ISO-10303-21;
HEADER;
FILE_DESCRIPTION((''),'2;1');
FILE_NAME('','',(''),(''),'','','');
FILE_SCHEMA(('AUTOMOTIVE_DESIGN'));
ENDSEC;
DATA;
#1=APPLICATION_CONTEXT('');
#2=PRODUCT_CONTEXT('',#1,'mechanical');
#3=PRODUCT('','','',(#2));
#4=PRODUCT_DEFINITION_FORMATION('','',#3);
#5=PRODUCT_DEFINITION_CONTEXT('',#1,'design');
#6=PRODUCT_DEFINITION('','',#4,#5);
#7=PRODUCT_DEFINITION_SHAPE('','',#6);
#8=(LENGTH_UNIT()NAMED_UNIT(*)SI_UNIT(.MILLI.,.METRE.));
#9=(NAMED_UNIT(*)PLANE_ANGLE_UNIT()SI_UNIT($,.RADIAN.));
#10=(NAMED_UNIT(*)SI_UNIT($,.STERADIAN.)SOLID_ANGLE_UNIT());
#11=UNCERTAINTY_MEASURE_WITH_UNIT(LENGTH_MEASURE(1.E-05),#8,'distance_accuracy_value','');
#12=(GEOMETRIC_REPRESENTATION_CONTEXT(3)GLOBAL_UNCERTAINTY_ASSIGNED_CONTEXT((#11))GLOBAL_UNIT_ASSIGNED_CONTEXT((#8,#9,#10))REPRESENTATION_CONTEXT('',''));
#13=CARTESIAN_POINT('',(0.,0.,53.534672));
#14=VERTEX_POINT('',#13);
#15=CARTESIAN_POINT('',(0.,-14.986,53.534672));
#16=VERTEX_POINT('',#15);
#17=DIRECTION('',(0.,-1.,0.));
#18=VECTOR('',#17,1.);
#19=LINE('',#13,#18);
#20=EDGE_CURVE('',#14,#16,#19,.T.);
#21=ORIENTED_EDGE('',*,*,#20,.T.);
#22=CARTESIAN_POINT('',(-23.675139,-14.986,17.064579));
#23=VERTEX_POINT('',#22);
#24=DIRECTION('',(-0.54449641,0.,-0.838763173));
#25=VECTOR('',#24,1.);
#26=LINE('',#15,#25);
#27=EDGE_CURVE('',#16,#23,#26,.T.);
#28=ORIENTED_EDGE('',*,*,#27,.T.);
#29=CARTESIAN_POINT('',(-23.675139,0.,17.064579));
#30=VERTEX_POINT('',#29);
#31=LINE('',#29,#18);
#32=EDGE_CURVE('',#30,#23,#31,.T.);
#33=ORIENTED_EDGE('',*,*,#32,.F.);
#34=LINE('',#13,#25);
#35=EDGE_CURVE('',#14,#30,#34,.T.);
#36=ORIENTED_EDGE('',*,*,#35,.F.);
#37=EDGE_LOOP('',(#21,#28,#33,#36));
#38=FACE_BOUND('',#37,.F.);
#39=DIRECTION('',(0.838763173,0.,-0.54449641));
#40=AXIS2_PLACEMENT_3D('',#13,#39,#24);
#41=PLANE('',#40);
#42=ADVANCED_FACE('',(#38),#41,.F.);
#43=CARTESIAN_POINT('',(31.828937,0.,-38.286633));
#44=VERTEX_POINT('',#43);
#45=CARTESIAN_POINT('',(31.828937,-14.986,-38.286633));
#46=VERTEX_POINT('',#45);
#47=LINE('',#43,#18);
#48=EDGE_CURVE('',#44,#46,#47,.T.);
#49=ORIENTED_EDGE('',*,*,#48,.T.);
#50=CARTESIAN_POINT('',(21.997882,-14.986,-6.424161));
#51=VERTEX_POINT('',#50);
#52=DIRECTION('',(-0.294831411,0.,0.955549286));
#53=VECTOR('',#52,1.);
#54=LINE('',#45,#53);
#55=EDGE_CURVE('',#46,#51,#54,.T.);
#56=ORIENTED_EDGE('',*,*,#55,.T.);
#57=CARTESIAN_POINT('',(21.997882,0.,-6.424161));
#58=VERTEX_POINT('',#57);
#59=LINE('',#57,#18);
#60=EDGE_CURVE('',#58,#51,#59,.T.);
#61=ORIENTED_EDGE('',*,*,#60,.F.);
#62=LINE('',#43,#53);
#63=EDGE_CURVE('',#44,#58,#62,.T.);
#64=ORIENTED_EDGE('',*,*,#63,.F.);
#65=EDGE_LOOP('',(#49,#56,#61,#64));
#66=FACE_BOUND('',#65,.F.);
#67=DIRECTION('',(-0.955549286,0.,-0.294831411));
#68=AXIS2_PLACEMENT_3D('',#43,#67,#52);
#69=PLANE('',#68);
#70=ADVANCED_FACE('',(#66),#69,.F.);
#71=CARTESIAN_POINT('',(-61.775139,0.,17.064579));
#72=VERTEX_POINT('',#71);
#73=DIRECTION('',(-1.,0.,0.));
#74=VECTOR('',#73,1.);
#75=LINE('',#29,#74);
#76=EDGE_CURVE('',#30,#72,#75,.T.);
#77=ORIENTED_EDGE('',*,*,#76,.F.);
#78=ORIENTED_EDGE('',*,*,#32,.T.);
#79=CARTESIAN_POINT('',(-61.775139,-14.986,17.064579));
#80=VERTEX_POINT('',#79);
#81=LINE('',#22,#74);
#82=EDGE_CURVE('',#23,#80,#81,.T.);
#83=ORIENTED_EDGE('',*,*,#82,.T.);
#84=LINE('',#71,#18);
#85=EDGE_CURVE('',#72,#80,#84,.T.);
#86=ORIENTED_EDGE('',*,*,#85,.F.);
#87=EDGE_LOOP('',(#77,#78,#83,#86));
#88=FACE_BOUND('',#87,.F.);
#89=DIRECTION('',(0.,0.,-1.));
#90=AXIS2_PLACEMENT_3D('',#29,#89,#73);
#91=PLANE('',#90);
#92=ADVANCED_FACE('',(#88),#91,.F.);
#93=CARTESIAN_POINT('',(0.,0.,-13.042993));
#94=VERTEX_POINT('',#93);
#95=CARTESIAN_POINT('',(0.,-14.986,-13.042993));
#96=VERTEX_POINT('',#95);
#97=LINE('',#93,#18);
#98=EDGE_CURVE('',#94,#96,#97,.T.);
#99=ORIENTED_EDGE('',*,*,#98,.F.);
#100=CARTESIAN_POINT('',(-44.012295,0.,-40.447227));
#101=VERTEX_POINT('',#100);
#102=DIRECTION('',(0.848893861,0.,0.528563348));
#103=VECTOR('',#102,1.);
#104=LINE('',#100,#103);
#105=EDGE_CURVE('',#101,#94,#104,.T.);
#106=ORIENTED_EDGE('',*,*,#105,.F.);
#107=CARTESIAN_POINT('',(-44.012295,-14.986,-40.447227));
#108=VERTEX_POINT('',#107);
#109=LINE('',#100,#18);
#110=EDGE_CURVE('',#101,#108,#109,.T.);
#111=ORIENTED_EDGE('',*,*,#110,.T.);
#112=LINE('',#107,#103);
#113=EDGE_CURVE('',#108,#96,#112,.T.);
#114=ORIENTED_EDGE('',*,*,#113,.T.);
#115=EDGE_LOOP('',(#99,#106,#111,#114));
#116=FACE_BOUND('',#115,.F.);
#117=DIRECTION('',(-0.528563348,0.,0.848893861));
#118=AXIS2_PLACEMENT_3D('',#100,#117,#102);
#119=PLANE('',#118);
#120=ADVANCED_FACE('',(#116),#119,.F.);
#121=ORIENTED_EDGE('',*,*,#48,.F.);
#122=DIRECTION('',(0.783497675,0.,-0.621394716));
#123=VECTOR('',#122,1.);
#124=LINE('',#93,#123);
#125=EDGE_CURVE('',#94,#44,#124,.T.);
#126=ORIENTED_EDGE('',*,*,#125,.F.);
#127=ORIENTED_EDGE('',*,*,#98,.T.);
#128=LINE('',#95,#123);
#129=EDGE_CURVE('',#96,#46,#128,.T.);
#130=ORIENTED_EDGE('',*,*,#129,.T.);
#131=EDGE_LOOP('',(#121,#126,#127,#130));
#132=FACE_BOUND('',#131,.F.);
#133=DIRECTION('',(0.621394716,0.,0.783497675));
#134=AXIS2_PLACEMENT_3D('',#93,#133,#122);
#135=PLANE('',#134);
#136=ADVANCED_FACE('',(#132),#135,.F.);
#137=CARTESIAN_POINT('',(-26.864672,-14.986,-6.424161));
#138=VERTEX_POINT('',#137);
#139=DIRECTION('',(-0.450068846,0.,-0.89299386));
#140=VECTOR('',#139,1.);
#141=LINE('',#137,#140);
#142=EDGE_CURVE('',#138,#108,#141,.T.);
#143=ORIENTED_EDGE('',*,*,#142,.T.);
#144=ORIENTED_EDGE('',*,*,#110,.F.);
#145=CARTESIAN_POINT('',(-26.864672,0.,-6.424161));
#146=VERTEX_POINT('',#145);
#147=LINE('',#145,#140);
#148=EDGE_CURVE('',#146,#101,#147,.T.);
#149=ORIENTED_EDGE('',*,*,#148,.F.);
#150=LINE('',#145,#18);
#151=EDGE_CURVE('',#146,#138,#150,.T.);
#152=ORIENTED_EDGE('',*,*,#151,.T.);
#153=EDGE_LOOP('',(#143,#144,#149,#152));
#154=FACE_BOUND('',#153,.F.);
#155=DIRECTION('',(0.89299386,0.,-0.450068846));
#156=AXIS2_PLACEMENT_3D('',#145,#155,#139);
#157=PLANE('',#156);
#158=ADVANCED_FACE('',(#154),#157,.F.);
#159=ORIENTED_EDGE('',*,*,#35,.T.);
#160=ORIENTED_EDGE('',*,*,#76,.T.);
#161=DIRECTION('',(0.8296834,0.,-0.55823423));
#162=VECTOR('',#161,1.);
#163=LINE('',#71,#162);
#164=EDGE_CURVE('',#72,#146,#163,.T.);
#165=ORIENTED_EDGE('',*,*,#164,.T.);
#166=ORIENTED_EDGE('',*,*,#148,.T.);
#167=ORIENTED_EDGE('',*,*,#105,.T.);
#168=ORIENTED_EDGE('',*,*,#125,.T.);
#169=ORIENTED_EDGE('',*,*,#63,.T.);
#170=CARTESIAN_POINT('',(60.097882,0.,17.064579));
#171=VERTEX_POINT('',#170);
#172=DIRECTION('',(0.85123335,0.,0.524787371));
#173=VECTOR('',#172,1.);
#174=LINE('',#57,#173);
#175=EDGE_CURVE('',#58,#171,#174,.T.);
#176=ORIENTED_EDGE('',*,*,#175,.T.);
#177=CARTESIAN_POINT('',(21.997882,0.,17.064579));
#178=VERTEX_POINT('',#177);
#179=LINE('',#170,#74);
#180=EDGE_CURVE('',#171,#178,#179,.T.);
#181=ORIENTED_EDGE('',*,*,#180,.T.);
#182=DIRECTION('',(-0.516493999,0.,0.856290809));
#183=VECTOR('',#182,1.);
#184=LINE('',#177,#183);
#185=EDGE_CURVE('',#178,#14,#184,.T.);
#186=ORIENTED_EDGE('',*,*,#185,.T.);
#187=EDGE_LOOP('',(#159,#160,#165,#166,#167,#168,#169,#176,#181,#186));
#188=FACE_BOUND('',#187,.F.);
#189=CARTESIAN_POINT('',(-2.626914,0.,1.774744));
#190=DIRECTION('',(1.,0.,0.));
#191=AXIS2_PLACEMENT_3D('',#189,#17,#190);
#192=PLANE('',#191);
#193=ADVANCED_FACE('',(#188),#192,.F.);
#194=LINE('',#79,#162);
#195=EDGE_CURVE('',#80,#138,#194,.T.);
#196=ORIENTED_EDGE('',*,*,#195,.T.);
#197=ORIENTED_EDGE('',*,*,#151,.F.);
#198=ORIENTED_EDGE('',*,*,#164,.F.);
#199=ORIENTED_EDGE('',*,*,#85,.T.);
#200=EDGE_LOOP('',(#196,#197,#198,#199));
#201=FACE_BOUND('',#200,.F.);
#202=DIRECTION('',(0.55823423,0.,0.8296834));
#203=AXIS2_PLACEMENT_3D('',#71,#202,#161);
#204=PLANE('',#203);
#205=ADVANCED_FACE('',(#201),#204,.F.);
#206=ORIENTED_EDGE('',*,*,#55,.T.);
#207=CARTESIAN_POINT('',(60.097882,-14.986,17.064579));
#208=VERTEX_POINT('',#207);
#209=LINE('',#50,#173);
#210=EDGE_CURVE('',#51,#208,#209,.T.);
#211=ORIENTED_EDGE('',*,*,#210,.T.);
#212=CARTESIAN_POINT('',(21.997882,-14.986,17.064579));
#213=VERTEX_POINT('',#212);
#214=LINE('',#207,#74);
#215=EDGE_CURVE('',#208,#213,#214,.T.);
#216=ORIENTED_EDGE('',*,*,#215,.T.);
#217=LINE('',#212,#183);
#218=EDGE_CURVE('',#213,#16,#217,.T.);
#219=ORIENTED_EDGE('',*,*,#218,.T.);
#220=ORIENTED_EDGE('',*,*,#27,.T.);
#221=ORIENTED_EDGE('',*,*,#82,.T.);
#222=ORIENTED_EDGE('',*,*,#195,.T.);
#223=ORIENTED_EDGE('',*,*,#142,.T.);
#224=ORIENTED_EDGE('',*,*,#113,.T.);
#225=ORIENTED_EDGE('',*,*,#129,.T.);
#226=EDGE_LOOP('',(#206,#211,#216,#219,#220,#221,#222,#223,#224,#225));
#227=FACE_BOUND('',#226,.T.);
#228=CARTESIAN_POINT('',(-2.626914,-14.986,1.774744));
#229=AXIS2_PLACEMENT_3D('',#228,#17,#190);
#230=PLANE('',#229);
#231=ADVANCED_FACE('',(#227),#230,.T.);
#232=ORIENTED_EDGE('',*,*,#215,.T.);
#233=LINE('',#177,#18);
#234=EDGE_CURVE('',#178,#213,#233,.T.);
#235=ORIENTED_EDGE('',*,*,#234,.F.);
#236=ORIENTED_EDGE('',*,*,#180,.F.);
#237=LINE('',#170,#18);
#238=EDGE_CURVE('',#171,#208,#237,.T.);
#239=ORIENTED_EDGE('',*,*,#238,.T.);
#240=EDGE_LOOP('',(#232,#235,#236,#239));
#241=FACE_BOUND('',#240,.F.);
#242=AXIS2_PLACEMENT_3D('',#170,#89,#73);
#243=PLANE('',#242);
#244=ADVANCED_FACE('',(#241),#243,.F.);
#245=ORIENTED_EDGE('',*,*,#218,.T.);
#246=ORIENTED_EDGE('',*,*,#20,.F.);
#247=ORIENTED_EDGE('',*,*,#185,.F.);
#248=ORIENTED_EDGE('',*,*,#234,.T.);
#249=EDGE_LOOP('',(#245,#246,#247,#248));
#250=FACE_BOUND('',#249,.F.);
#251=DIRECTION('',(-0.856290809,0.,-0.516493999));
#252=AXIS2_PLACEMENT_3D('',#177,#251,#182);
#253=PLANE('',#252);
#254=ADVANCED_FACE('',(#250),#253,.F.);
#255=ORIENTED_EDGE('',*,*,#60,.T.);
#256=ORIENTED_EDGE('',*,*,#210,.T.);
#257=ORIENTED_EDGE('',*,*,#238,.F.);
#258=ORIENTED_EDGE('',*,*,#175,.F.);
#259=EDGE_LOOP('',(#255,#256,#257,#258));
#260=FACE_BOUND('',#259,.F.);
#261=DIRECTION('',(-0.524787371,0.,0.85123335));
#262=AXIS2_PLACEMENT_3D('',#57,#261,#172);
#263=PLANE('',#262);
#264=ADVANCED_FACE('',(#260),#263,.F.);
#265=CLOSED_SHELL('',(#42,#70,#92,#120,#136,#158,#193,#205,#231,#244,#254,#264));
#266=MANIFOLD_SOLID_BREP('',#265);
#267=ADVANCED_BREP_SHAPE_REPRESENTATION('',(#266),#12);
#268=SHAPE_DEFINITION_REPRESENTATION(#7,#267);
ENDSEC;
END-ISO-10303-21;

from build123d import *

# Parameters (mm, degrees)
F1_DEPTH = 14.986


with BuildPart() as f1:
    # F0 (on Front) → F1 (new body)
    with BuildSketch(Plane.XZ):
        Polygon((0, 53.534672), (-23.675139, 17.064579), (-61.775139, 17.064579), (-26.864672, -6.424161), (-44.012295, -40.447227), (0, -13.042993), (31.828937, -38.286633), (21.997882, -6.424161), (60.097882, 17.064579), (21.997882, 17.064579), align=None)
    extrude(amount=F1_DEPTH)


solid = f1.part
